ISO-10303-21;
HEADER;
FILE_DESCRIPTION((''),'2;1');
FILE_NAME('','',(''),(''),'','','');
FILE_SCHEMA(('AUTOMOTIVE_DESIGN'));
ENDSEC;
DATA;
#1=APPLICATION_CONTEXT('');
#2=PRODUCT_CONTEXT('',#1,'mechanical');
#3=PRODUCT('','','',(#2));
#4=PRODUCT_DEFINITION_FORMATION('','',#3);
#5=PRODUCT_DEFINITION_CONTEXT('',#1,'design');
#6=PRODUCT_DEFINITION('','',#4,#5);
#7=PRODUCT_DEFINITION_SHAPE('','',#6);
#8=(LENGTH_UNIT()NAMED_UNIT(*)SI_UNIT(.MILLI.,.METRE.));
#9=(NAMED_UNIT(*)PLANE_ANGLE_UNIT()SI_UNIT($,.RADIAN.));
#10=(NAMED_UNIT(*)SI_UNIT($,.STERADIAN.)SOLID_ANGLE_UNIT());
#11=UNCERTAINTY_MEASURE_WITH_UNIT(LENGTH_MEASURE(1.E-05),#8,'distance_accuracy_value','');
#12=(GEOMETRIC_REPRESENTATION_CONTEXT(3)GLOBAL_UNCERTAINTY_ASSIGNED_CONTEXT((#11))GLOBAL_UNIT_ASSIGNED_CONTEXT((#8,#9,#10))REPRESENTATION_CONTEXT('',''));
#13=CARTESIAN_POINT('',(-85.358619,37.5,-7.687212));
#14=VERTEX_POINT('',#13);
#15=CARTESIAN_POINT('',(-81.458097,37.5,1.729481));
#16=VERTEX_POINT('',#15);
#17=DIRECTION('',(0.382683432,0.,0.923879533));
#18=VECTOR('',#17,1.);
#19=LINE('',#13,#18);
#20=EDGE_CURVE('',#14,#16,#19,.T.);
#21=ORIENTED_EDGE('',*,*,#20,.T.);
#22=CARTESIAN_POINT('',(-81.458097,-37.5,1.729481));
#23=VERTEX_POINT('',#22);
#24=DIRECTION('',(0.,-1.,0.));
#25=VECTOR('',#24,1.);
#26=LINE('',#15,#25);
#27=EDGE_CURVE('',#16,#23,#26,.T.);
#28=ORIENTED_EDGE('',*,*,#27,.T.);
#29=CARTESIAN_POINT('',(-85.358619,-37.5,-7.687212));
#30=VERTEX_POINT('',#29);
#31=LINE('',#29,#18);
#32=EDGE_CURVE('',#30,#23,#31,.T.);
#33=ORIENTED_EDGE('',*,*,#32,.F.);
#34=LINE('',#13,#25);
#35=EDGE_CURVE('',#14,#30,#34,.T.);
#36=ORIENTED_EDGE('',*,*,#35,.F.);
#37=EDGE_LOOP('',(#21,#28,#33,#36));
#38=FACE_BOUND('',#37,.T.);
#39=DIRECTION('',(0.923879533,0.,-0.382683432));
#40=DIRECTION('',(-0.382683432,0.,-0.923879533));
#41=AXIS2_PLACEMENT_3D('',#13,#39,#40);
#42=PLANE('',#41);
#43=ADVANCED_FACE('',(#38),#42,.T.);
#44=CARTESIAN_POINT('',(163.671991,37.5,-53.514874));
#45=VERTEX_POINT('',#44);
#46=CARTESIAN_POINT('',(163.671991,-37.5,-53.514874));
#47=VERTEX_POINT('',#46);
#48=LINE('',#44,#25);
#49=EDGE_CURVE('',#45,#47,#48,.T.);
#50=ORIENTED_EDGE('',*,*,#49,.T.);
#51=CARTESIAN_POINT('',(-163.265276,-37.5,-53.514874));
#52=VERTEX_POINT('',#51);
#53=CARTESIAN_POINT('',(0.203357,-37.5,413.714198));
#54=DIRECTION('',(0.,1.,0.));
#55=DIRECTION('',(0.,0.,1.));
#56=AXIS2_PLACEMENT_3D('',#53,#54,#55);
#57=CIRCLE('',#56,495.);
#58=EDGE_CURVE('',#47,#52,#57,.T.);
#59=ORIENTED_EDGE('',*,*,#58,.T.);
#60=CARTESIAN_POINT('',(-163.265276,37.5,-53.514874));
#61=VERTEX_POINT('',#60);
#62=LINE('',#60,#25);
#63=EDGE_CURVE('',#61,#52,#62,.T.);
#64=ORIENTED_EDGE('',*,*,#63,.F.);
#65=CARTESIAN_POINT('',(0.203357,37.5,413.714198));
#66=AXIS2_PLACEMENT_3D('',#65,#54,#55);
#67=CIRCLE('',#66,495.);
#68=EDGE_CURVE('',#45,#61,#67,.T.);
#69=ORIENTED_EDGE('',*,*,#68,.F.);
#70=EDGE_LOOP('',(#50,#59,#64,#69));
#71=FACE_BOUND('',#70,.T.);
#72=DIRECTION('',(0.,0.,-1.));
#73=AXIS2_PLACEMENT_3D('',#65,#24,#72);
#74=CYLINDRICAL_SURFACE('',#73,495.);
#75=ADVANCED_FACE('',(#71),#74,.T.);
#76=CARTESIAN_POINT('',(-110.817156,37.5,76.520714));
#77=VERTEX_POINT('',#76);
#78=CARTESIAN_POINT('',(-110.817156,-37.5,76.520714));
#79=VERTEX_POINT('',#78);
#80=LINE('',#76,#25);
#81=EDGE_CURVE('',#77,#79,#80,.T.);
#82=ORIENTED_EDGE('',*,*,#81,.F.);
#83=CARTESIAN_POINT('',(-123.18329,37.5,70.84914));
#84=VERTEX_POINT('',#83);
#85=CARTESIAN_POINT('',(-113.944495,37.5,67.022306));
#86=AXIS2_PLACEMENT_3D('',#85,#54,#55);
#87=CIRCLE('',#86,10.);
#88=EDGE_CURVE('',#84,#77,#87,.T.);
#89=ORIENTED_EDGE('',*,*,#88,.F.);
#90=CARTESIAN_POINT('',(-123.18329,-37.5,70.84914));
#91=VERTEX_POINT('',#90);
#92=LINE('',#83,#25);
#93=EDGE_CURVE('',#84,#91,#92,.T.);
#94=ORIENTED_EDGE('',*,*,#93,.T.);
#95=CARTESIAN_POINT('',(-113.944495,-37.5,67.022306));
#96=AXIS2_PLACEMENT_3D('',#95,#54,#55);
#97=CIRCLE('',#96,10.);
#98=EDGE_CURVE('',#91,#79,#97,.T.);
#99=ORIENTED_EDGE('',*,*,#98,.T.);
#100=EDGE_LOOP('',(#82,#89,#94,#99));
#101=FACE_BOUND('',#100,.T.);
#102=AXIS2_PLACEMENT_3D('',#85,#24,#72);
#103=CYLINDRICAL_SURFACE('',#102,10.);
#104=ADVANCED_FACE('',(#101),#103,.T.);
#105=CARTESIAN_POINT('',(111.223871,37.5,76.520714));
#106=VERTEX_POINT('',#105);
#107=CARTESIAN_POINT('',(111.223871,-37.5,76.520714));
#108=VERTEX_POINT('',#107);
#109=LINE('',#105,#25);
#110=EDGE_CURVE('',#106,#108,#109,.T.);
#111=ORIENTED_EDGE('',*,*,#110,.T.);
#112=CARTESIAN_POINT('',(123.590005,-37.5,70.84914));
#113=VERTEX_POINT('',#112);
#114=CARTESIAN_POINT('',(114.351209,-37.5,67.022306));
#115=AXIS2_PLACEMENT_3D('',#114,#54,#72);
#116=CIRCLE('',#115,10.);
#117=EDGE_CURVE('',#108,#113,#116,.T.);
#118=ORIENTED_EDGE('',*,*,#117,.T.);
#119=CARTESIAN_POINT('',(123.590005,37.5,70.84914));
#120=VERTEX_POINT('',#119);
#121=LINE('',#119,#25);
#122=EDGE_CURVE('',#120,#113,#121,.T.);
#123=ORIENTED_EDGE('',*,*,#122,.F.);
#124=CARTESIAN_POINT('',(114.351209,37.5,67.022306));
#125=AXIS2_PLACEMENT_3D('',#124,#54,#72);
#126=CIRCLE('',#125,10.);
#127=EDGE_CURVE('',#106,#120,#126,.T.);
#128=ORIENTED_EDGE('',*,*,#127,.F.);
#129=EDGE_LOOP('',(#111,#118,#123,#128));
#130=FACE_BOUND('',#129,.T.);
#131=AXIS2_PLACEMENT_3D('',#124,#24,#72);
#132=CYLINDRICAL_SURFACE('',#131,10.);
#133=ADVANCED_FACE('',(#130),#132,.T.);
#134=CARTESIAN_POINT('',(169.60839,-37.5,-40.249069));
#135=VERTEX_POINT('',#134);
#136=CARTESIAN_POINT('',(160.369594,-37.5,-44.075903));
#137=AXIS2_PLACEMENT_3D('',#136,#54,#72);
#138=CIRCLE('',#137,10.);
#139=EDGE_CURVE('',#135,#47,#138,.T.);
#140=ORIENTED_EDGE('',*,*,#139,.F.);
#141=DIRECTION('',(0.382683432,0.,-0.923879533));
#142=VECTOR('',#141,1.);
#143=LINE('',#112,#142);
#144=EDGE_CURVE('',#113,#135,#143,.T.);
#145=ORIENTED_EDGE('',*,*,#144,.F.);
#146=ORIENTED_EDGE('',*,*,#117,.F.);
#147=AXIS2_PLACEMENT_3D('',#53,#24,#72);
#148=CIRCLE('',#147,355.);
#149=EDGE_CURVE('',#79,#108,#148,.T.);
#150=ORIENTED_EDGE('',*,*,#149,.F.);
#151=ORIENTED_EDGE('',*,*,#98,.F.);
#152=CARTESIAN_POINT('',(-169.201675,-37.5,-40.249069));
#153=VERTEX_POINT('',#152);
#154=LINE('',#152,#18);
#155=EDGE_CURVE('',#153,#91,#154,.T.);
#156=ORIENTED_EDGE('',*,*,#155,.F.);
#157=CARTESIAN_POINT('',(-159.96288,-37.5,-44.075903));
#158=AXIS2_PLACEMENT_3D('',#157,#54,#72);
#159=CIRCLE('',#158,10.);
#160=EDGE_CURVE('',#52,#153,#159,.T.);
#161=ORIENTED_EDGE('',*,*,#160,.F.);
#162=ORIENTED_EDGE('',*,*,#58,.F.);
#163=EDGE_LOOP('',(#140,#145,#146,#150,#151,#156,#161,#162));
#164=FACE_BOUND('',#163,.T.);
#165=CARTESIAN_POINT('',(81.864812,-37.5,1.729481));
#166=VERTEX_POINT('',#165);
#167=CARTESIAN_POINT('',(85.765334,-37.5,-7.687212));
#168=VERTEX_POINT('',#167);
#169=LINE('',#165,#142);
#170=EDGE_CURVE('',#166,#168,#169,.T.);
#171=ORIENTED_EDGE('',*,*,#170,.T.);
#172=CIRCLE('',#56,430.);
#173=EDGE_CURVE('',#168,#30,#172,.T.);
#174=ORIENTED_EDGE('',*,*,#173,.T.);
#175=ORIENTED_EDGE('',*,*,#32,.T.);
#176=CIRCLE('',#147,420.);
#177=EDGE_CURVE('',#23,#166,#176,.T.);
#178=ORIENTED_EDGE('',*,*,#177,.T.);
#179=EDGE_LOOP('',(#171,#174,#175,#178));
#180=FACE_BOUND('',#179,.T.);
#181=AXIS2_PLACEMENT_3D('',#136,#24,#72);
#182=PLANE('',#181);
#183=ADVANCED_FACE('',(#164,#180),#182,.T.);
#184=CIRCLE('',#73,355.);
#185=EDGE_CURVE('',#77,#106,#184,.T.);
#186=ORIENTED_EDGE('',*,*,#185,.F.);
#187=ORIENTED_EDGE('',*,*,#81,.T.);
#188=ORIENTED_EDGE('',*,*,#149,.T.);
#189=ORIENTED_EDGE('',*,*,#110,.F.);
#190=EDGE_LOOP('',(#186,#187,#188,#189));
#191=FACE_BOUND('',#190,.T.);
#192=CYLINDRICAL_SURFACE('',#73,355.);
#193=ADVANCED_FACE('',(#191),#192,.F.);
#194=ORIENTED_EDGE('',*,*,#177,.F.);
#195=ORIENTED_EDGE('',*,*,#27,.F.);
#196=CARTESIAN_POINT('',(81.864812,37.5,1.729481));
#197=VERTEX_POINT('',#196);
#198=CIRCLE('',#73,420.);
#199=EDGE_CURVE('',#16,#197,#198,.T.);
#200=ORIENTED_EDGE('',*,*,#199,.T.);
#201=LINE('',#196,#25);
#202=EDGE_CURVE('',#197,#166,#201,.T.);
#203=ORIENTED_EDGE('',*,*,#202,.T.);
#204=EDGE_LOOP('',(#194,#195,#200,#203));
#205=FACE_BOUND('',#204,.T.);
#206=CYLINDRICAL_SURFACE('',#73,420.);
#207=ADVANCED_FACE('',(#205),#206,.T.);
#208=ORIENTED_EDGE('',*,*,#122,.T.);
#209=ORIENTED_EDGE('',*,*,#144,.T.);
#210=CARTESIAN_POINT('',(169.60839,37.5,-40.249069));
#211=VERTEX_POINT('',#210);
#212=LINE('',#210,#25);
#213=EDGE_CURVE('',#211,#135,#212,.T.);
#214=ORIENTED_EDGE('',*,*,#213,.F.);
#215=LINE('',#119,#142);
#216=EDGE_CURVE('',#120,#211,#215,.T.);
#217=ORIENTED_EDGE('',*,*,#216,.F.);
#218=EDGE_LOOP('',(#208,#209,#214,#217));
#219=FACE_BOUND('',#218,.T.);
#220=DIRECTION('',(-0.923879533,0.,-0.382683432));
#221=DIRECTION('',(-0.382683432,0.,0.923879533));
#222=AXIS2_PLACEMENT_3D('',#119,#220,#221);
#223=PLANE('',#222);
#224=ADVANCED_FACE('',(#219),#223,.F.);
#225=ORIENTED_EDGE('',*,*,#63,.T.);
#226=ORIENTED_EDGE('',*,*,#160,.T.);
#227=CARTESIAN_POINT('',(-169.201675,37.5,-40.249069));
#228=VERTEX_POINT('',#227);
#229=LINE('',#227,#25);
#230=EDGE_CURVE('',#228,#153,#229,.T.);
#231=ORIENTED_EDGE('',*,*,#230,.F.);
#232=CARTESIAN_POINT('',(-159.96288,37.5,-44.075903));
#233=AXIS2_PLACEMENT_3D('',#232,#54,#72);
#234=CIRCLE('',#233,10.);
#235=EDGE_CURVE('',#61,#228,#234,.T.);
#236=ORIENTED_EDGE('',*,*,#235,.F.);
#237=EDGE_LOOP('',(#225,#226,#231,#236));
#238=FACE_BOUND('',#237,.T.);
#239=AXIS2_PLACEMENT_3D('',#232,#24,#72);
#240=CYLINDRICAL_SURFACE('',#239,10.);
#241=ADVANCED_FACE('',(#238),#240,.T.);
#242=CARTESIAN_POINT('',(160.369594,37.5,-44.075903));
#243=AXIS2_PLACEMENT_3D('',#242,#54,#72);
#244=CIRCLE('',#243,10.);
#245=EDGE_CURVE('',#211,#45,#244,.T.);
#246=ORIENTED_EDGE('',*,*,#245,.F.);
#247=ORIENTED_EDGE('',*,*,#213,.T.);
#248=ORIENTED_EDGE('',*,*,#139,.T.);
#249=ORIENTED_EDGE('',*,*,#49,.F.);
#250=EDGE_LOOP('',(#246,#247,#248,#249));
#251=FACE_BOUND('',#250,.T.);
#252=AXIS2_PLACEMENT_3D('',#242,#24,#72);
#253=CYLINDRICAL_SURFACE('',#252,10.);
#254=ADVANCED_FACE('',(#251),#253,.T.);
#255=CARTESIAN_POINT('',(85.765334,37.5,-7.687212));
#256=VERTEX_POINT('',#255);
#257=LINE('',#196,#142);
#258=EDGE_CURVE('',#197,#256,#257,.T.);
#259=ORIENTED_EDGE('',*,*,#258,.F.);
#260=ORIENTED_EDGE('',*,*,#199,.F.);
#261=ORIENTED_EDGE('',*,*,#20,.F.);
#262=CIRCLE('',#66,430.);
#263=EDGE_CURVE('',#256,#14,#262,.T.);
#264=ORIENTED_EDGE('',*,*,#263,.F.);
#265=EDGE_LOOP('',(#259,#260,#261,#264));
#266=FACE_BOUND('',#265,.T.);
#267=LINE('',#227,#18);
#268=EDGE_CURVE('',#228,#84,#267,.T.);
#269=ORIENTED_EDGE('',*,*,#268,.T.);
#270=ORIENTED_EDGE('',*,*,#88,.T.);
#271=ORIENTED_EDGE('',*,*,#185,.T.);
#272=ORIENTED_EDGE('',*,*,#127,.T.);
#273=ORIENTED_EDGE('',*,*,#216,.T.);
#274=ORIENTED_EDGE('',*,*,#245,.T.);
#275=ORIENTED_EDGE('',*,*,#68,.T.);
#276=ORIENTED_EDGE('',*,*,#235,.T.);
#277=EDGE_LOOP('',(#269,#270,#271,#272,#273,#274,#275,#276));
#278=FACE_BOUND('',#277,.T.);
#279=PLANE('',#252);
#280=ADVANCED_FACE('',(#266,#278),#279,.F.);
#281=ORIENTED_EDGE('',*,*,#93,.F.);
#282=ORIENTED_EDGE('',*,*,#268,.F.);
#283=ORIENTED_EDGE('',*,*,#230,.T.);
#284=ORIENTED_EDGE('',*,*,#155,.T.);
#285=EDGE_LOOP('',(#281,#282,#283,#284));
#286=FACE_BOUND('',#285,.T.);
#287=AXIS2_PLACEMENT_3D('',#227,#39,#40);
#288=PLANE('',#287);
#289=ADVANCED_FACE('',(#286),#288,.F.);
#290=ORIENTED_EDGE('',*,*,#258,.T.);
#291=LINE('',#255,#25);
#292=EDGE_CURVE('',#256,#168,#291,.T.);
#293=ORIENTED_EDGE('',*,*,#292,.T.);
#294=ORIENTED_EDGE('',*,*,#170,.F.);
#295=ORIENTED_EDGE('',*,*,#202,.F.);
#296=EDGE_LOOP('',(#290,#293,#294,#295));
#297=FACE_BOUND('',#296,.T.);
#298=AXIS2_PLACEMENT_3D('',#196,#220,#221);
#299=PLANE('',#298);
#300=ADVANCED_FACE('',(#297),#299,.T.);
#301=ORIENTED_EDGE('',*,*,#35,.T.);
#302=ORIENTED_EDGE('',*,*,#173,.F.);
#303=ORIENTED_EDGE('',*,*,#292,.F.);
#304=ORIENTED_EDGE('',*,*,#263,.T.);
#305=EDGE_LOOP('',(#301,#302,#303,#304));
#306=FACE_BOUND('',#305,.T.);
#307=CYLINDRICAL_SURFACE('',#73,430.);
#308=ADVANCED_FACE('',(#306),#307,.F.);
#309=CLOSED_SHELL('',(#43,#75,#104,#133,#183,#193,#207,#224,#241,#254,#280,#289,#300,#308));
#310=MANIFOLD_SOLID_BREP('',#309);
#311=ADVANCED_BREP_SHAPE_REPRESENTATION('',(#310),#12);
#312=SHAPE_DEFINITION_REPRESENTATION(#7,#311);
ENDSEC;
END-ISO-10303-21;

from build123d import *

# Parameters (mm, degrees)
BOSS_EXTRUDE1_DEPTH = 37.5


with BuildPart() as part:
    # Sketch1 → Boss-Extrude1 (new, symmetric)
    with BuildSketch(Plane(origin=(0, 0, 0), x_dir=(1, 0, 0), z_dir=(0, 1, 0))):
        with BuildLine():
            Line((-169.201674923, 40.249068867), (-123.18328996, -70.849140229))
            ThreePointArc((-123.18328996, -70.849140229), (-118.113327011, -76.111906371), (-110.817156223, -76.520713901))
            ThreePointArc((-110.817156223, -76.520713901), (0.203357417, -58.714197752), (111.223871056, -76.520713901))
            ThreePointArc((111.223871056, -76.520713901), (118.520041845, -76.111906371), (123.590004794, -70.849140229))
            Line((123.590004794, -70.849140229), (169.608389757, 40.249068867))
            ThreePointArc((169.608389757, 40.249068867), (169.497341838, 48.160536257), (163.671991071, 53.514874344))
            ThreePointArc((163.671991071, 53.514874344), (0.203357417, 81.285802248), (-163.265276237, 53.514874344))
            ThreePointArc((-163.265276237, 53.514874344), (-169.090627004, 48.160536257), (-169.201674923, 40.249068867))
        make_face()
        with BuildLine():
            Line((-85.358619183, 7.687212023), (-81.458097216, -1.729481012))
            ThreePointArc((-81.458097216, -1.729481012), (0.203357417, 6.285802248), (81.864812049, -1.729481012))
            Line((81.864812049, -1.729481012), (85.765334017, 7.687212023))
            ThreePointArc((85.765334017, 7.687212023), (0.203357417, 16.285802248), (-85.358619183, 7.687212023))
        make_face(mode=Mode.SUBTRACT)
    extrude(amount=BOSS_EXTRUDE1_DEPTH, both=True)


solid = part.part
